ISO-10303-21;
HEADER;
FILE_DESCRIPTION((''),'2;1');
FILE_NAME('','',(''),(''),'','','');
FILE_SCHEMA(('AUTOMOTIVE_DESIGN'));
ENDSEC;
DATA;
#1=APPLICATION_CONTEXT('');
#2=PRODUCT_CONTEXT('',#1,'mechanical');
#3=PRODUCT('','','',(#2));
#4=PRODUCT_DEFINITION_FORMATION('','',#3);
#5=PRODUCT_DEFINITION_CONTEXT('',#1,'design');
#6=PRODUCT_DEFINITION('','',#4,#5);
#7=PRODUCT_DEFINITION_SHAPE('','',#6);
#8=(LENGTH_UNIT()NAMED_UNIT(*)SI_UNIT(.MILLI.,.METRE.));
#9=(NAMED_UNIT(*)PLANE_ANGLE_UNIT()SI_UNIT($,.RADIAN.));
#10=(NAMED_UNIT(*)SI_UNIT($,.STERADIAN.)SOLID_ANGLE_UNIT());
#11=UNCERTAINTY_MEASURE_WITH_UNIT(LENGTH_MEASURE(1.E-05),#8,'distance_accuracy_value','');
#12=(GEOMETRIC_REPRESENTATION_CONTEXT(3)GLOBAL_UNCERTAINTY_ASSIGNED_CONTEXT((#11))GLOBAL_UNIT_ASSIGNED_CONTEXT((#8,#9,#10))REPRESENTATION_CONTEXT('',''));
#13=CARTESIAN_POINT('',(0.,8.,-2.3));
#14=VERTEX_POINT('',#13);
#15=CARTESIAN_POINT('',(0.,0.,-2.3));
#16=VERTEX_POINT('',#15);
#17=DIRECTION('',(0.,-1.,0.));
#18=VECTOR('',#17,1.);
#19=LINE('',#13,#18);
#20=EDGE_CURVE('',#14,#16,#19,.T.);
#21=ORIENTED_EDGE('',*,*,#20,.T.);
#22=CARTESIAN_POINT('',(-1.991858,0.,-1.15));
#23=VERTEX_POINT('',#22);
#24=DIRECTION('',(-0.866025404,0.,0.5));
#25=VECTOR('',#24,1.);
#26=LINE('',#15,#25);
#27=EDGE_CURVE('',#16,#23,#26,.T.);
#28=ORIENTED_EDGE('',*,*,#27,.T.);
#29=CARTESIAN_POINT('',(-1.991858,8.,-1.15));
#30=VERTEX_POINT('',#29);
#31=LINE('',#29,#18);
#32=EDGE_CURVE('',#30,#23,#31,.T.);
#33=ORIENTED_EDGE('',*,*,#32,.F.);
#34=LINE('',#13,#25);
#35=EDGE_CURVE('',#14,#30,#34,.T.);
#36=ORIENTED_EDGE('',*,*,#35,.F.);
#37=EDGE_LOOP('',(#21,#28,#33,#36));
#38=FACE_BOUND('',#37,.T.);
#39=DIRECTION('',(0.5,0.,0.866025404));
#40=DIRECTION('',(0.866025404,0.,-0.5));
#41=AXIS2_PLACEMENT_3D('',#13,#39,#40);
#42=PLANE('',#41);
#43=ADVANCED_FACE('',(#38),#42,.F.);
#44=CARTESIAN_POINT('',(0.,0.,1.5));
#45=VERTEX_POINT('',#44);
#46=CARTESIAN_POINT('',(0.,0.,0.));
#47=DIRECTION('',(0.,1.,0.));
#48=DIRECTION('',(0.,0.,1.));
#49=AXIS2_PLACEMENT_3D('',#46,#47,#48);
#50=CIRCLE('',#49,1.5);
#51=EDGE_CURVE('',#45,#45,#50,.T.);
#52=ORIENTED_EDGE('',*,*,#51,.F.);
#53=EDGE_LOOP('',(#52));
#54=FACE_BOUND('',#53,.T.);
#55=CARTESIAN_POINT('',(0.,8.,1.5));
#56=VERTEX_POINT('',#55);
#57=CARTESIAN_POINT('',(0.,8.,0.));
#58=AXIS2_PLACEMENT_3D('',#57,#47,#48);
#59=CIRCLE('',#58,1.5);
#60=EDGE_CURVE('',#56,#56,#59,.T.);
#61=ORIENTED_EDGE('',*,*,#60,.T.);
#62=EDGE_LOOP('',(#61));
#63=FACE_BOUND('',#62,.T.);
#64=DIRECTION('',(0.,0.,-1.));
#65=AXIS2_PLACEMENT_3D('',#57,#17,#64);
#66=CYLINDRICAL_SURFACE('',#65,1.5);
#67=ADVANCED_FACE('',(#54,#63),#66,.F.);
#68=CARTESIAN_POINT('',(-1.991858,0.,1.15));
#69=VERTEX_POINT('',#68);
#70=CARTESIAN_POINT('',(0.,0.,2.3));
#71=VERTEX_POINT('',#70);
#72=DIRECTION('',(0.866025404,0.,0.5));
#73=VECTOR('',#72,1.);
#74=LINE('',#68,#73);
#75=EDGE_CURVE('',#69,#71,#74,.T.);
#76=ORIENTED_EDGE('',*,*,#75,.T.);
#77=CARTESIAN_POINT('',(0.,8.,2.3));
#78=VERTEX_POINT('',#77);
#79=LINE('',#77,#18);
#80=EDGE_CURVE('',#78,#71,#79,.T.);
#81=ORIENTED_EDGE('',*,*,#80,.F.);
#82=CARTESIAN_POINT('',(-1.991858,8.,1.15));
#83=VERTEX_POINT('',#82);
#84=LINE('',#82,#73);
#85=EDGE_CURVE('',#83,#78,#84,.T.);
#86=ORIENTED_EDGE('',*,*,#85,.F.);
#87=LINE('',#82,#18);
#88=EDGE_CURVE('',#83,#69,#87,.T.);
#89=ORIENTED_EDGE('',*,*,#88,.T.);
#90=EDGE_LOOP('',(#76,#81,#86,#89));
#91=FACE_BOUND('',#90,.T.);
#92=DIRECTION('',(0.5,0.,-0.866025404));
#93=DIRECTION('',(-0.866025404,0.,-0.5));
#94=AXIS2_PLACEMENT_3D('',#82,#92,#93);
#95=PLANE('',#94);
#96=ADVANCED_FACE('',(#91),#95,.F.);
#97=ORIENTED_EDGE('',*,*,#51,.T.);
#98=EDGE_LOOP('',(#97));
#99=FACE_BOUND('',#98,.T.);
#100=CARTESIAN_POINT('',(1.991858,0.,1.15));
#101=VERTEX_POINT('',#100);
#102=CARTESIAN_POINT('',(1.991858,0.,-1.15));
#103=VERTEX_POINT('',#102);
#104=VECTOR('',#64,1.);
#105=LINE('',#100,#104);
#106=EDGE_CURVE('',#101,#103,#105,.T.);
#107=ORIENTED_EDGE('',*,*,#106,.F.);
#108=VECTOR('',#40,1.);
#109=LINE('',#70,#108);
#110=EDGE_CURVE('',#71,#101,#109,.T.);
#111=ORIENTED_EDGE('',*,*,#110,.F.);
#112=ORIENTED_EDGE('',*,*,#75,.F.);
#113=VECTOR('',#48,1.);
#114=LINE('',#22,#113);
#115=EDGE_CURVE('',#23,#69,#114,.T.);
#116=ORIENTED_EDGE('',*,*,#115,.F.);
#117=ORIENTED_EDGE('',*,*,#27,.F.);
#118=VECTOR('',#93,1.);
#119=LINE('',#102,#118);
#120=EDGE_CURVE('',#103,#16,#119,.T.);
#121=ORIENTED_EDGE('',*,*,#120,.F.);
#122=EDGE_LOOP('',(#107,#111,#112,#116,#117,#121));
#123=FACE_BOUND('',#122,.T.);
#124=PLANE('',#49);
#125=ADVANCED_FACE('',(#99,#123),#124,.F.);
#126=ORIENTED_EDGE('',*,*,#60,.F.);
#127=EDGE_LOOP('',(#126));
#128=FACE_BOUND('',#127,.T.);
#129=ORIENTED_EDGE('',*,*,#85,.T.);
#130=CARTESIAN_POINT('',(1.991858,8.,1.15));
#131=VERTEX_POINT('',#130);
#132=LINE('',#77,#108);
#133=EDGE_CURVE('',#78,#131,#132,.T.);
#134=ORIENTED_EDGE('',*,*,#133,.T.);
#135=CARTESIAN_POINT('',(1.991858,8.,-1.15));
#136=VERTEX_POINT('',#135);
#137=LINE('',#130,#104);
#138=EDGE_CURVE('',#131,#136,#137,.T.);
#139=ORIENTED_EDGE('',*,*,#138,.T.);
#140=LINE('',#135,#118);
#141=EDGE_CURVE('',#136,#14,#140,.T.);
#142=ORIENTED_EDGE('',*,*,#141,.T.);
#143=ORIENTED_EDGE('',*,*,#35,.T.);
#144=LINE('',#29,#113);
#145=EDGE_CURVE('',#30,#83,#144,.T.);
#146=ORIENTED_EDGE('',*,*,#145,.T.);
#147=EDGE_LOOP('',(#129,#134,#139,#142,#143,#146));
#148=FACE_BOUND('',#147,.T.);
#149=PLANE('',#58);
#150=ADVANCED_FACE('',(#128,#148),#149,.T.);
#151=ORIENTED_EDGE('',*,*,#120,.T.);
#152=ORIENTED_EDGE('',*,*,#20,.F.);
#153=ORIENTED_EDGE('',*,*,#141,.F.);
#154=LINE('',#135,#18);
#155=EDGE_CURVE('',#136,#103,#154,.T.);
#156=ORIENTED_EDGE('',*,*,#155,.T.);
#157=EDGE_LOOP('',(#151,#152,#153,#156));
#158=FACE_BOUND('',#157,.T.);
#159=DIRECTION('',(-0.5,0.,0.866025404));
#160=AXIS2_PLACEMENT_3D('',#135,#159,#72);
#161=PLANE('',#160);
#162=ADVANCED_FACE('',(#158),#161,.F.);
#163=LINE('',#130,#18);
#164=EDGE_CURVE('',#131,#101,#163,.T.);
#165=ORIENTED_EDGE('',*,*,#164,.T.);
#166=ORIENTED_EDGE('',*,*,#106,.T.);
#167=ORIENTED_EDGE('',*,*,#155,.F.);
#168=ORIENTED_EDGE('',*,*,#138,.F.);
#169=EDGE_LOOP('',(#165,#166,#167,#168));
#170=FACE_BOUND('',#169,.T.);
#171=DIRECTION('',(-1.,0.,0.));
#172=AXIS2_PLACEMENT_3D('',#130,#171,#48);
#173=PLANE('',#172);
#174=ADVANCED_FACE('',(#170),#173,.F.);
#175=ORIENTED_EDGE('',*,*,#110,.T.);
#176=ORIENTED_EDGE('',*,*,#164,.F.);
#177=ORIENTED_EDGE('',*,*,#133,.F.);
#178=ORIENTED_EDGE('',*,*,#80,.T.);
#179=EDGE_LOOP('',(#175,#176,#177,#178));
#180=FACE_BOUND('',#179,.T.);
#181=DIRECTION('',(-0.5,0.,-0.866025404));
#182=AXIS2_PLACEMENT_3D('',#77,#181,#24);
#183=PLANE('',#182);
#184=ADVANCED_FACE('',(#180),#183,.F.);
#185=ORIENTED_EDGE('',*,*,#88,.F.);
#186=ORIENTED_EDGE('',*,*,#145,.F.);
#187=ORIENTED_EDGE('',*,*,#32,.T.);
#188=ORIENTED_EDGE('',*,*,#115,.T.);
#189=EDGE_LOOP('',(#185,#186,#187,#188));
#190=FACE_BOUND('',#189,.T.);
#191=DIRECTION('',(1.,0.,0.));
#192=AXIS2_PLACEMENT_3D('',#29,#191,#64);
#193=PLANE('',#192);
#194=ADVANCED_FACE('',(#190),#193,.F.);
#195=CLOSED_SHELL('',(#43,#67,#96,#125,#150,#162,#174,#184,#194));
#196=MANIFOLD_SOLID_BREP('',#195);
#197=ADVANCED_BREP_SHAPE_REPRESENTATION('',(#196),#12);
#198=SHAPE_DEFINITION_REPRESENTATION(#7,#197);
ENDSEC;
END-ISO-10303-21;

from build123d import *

# Parameters (mm, degrees)
SKETCH_1_R      = 1.5
EXTRUDE_1_DEPTH = 8


with BuildPart() as part:
    # 草图1 → 凸台-拉伸1 (new body)
    with BuildSketch(Plane(origin=(0, 0, 0), x_dir=(1, 0, 0), z_dir=(0, 1, 0))):
        Polygon((1.991858429, 1.15), (0, 2.3), (-1.991858429, 1.15), (-1.991858429, -1.15), (0, -2.3), (1.991858429, -1.15), align=None)
        with Locations(Location((0, 0, 0), (0, 0, 270))):
            Circle(SKETCH_1_R, mode=Mode.SUBTRACT)
    extrude(amount=EXTRUDE_1_DEPTH)


solid = part.part
